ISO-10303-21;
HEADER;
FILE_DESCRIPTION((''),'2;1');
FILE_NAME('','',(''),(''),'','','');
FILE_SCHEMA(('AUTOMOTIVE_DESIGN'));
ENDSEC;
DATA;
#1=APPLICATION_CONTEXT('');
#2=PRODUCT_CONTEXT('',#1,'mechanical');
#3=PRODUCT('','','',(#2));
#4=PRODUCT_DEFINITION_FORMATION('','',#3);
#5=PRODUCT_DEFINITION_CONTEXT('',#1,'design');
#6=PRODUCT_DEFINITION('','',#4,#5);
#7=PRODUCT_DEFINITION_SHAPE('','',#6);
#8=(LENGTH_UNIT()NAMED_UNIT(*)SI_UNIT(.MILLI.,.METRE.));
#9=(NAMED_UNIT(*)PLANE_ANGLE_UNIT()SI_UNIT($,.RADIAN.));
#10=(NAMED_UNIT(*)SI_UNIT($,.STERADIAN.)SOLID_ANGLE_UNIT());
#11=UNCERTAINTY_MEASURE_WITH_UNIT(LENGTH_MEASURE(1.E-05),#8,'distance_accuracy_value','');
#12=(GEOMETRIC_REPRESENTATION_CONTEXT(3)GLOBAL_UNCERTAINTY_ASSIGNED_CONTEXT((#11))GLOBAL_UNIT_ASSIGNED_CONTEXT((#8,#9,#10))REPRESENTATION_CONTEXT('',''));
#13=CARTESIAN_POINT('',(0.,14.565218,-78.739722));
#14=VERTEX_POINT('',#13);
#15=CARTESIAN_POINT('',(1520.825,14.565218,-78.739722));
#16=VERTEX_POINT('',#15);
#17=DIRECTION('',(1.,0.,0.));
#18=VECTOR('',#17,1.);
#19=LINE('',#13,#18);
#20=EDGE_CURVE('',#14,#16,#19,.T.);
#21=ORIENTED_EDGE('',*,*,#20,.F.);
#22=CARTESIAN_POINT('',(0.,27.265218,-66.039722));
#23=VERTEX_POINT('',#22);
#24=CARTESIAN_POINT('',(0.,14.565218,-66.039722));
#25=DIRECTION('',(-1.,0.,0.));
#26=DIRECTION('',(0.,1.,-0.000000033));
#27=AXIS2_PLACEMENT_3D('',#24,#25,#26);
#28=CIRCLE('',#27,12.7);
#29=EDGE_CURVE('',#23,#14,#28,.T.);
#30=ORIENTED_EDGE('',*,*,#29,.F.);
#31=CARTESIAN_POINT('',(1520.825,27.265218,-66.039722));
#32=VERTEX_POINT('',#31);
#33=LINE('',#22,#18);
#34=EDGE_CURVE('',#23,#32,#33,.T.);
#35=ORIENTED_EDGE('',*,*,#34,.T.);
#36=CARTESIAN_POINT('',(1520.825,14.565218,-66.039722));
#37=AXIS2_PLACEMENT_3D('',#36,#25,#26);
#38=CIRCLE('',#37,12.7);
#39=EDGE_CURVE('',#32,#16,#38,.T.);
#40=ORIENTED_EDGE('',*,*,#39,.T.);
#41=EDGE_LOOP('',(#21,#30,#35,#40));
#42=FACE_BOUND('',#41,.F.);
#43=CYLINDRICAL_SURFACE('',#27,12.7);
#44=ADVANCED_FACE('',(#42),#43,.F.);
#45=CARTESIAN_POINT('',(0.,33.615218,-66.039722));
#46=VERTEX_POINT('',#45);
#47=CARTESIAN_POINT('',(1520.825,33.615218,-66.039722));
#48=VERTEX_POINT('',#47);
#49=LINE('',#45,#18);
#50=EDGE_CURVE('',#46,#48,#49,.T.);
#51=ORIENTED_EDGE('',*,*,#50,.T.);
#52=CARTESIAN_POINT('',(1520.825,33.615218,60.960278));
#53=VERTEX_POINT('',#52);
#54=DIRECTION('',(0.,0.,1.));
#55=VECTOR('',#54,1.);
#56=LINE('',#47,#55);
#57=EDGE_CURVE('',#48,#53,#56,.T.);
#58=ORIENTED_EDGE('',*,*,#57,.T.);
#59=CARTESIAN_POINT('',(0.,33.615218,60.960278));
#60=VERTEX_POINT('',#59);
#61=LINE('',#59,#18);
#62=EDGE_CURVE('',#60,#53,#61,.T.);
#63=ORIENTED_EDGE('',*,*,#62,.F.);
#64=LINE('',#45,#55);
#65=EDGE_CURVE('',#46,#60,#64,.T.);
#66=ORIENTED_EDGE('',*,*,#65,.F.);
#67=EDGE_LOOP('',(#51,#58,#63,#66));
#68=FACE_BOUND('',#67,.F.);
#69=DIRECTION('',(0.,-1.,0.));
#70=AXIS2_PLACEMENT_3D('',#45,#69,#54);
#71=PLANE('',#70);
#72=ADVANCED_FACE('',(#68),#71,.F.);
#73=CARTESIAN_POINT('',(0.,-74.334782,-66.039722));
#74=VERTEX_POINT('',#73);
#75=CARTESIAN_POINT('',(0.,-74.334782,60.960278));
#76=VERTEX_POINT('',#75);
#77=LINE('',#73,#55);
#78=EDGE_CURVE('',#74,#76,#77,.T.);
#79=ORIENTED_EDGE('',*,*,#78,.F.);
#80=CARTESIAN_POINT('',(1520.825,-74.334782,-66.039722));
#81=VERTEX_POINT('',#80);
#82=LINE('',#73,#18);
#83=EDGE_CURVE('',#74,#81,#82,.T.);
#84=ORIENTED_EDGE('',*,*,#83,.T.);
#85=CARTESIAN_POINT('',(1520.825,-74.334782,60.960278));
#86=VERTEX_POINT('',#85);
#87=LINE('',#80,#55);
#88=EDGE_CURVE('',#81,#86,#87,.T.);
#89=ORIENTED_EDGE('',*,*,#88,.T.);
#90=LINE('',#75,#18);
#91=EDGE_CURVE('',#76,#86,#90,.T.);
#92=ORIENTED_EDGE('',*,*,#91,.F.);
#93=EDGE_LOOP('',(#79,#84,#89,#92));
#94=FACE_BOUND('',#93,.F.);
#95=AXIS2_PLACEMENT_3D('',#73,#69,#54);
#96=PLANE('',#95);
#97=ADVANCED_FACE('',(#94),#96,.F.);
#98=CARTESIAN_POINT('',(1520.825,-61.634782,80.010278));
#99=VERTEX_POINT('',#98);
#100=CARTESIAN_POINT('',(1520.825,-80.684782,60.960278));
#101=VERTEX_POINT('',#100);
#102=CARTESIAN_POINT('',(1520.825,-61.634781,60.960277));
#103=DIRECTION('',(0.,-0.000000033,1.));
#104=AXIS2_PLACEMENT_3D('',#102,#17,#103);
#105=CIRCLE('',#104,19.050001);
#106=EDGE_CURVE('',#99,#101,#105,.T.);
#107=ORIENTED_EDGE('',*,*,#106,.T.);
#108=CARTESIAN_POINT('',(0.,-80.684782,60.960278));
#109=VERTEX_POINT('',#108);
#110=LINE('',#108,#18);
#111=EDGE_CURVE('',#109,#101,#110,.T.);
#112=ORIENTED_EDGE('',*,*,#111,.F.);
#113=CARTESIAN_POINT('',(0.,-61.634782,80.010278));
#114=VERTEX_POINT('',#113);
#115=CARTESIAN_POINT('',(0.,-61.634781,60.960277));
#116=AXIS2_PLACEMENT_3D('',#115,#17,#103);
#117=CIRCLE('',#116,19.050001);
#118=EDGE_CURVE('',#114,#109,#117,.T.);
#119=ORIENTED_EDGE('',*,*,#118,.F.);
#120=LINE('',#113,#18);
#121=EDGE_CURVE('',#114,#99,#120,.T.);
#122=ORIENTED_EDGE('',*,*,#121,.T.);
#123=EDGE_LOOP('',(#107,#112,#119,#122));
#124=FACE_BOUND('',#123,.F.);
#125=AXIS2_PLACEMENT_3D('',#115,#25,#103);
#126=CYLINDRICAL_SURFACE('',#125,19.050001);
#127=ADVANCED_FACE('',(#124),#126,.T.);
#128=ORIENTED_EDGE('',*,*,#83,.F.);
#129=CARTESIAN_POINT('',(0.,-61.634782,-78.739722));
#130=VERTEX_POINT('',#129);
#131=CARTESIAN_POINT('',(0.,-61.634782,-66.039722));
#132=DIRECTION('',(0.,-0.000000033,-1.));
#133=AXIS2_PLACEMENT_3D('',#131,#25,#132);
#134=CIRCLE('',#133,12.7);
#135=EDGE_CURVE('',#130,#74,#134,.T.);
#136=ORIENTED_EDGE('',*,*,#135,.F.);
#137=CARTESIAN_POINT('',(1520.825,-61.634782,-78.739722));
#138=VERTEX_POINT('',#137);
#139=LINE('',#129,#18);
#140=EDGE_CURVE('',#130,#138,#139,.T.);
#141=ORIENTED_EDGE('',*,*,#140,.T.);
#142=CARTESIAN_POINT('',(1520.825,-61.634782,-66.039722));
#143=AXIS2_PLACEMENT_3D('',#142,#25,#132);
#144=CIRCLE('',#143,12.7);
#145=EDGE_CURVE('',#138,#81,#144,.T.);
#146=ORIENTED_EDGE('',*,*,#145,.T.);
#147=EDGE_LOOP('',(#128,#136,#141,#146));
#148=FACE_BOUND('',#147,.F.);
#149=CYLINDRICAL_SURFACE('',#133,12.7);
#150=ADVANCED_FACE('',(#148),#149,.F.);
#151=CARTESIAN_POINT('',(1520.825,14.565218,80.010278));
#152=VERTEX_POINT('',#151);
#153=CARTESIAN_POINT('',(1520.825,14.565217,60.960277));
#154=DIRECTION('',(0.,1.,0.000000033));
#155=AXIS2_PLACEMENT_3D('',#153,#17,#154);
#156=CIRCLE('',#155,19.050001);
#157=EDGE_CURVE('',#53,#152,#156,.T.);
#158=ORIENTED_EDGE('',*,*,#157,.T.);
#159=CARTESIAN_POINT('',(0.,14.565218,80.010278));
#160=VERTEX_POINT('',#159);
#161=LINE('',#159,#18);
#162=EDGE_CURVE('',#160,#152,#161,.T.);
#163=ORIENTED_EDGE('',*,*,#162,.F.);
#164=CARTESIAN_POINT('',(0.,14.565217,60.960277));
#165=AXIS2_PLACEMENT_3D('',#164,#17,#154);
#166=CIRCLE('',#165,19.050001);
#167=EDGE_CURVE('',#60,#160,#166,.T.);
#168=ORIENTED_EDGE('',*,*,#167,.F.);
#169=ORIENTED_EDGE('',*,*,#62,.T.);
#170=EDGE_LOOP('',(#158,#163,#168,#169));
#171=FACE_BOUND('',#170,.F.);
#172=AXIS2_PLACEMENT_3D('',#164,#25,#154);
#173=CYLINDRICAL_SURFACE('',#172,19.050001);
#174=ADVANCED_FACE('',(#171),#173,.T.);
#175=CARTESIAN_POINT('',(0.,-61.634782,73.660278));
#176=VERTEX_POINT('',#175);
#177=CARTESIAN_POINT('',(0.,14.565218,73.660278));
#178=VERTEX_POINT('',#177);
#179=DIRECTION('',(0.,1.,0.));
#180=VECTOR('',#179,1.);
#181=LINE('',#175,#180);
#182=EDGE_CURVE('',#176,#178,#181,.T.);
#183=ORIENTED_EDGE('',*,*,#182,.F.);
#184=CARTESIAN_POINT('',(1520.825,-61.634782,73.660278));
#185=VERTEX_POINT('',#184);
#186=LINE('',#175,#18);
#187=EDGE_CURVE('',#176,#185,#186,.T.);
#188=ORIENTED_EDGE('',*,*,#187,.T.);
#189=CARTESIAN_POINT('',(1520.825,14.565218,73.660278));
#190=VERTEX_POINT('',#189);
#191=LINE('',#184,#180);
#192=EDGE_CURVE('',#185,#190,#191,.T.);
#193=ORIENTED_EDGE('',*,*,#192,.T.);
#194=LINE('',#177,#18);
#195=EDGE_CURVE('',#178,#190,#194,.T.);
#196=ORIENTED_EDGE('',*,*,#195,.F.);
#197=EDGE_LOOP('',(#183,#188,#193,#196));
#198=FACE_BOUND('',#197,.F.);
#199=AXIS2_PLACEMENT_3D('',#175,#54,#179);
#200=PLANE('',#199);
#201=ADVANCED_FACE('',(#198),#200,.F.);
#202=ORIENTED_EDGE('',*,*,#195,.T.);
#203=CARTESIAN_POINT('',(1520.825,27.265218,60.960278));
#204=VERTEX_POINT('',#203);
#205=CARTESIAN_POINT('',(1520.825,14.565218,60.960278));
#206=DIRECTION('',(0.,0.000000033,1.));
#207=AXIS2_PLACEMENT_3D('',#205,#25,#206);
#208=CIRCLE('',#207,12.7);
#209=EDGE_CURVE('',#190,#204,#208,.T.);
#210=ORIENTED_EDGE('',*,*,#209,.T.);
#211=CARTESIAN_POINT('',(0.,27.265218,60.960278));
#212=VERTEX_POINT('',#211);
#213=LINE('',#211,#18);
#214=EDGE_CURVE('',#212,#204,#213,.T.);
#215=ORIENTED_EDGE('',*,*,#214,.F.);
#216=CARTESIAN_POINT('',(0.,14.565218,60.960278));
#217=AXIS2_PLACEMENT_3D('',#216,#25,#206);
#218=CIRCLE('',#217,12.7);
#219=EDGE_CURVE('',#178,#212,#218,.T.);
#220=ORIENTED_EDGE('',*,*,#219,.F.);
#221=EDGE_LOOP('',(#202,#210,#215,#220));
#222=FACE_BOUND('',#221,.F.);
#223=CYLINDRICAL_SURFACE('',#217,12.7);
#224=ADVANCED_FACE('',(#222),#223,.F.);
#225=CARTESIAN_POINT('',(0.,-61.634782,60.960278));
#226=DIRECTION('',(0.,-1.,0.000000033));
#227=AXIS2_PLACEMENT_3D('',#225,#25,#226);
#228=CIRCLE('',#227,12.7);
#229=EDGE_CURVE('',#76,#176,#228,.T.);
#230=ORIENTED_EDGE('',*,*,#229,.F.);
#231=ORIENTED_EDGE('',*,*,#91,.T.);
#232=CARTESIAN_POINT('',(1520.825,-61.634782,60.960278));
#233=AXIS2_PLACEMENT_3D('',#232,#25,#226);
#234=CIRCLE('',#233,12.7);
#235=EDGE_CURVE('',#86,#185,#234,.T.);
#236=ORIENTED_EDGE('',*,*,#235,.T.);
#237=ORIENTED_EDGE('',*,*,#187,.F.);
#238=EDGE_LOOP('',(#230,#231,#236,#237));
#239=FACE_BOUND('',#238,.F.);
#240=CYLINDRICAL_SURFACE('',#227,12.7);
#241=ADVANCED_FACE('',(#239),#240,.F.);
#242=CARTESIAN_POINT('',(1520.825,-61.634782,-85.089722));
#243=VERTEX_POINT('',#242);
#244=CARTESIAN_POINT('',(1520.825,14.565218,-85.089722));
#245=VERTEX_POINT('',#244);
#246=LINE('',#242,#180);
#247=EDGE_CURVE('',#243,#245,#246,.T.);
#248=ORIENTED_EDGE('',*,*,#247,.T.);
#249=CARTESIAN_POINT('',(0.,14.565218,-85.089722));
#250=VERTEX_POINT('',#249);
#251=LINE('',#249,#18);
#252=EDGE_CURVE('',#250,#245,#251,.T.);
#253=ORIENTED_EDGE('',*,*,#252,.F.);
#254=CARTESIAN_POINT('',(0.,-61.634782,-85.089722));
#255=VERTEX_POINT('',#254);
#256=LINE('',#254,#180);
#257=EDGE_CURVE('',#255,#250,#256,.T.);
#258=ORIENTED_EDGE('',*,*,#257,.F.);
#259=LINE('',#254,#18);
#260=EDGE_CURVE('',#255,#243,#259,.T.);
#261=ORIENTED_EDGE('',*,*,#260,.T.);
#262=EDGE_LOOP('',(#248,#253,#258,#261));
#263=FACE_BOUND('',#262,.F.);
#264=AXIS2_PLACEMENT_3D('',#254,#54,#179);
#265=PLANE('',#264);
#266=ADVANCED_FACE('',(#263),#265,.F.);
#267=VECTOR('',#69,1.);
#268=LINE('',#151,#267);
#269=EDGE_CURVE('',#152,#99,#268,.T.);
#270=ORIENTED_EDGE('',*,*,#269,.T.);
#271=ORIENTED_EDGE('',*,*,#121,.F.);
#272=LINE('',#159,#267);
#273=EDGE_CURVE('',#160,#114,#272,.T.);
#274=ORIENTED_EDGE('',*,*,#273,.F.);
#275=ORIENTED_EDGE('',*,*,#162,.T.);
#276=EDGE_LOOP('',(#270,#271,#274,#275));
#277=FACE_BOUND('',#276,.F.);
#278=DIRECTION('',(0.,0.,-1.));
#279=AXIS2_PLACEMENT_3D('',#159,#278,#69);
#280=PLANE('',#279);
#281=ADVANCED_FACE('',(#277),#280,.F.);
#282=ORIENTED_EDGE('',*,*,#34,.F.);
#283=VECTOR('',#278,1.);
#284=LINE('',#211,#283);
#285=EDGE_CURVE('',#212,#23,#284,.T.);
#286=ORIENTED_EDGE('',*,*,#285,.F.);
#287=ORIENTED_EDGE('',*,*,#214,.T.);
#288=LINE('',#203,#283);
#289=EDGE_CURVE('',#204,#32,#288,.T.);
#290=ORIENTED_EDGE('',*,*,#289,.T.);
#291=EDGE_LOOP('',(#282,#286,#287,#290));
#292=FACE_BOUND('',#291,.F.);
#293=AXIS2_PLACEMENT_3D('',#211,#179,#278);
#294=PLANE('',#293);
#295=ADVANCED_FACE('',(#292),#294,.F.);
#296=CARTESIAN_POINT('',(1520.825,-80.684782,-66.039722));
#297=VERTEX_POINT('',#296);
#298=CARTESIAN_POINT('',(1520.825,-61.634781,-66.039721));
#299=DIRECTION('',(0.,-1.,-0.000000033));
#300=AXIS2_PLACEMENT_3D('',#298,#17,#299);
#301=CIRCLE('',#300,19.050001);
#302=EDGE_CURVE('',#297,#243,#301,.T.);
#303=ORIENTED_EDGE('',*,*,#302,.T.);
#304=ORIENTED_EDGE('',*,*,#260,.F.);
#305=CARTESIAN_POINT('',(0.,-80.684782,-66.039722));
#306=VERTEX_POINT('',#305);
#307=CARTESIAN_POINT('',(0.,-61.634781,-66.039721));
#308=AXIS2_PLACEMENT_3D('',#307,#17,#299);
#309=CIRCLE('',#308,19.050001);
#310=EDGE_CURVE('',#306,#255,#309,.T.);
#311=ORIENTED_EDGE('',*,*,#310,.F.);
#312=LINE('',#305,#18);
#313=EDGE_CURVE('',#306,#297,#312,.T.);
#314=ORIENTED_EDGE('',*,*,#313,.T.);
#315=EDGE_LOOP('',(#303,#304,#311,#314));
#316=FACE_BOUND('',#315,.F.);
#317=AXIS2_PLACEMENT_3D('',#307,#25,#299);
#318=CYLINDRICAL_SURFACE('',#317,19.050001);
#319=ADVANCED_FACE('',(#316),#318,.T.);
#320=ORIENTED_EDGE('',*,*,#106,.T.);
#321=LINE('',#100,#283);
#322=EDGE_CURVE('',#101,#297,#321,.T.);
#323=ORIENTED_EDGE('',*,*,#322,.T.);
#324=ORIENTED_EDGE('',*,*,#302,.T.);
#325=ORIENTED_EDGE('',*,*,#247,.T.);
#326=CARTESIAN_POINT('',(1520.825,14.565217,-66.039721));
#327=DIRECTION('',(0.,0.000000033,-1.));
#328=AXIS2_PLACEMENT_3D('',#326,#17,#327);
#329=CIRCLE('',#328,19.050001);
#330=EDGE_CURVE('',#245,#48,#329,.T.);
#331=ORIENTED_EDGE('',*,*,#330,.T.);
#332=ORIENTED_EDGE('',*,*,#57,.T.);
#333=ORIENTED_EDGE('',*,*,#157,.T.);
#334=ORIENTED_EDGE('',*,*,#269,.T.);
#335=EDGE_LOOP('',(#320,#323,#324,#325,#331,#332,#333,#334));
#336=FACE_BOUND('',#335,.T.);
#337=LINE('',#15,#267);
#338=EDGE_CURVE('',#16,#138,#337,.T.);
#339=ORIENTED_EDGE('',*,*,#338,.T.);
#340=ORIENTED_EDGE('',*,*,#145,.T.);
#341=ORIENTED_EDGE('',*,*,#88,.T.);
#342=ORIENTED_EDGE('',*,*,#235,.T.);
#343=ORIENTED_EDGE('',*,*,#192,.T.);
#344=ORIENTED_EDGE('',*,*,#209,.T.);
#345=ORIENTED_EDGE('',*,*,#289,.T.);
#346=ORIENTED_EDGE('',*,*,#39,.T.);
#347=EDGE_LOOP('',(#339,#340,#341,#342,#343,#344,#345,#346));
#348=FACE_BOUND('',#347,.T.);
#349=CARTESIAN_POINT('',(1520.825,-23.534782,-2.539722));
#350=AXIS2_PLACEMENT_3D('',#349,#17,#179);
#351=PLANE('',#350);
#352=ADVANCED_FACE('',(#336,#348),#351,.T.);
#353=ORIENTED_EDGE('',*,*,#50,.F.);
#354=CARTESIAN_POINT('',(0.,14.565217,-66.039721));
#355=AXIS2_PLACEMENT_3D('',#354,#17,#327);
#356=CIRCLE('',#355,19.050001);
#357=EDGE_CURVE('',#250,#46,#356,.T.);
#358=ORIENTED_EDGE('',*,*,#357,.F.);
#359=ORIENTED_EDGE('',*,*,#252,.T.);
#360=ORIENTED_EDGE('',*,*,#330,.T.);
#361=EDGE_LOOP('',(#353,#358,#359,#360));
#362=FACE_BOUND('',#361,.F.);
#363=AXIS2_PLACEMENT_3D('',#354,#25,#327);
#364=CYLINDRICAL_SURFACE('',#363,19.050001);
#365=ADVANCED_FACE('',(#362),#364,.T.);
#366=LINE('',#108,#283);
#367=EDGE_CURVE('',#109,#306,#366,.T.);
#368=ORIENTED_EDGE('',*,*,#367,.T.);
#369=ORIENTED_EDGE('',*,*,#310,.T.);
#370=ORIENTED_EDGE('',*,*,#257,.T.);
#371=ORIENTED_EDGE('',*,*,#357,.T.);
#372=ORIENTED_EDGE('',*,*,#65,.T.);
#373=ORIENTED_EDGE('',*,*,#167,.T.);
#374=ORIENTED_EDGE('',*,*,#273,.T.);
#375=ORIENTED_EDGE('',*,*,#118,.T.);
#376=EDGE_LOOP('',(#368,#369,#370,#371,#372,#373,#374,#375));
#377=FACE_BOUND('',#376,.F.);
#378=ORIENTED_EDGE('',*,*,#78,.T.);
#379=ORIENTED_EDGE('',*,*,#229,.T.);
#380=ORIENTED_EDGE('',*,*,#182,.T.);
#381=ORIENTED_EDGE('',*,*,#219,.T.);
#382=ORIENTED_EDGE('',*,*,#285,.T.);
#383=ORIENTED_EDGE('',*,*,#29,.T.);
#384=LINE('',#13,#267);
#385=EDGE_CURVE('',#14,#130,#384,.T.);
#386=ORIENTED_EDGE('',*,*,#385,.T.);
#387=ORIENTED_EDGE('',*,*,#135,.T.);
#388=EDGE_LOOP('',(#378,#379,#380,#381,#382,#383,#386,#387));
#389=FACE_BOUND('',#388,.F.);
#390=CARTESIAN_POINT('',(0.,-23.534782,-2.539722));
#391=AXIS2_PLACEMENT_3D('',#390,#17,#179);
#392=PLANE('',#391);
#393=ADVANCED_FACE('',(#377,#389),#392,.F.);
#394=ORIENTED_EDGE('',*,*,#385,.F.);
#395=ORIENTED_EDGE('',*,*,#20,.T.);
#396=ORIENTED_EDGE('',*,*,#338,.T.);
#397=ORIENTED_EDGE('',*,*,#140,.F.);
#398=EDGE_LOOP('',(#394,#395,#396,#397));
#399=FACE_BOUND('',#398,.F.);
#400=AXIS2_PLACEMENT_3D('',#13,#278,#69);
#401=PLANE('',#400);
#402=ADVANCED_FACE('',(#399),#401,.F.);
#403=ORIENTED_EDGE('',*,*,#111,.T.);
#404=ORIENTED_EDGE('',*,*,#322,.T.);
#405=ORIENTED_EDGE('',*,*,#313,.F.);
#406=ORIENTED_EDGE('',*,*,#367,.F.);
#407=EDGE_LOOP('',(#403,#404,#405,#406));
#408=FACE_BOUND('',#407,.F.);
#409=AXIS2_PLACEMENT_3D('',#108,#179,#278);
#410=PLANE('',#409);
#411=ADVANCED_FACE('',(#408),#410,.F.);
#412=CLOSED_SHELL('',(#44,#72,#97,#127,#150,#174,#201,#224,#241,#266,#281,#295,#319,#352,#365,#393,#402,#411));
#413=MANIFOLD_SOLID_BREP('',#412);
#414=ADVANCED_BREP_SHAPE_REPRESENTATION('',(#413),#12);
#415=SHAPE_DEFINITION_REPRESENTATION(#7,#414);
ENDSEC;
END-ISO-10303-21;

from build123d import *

# Parameters (mm, degrees)
F1_DEPTH = 1520.825


with BuildPart() as f1:
    # F0 (on Right) → F1 (new body)
    with BuildSketch(Plane.YZ):
        with BuildLine():
            ThreePointArc((14.565218, -85.089722), (28.035602, -79.510106), (33.615218, -66.039722))
            Line((33.615218, -66.039722), (33.615218, 60.960278))
            ThreePointArc((33.615218, 60.960278), (28.035602, 74.430662), (14.565218, 80.010278))
            Line((14.565218, 80.010278), (-61.634782, 80.010278))
            ThreePointArc((-61.634782, 80.010278), (-75.105166, 74.430662), (-80.684782, 60.960278))
            Line((-80.684782, 60.960278), (-80.684782, -66.039722))
            ThreePointArc((-80.684782, -66.039722), (-75.105166, -79.510106), (-61.634782, -85.089722))
            Line((-61.634782, -85.089722), (14.565218, -85.089722))
        make_face()
        with BuildLine():
            ThreePointArc((27.265218, -66.039722), (23.545474, -75.019978), (14.565218, -78.739722))
            Line((14.565218, -78.739722), (-61.634782, -78.739722))
            ThreePointArc((-61.634782, -78.739722), (-70.615038, -75.019978), (-74.334782, -66.039722))
            Line((-74.334782, -66.039722), (-74.334782, 60.960278))
            ThreePointArc((-74.334782, 60.960278), (-70.615038, 69.940534), (-61.634782, 73.660278))
            Line((-61.634782, 73.660278), (14.565218, 73.660278))
            ThreePointArc((14.565218, 73.660278), (23.545474, 69.940534), (27.265218, 60.960278))
            Line((27.265218, 60.960278), (27.265218, -66.039722))
        make_face(mode=Mode.SUBTRACT)
    extrude(amount=F1_DEPTH)


solid = f1.part
